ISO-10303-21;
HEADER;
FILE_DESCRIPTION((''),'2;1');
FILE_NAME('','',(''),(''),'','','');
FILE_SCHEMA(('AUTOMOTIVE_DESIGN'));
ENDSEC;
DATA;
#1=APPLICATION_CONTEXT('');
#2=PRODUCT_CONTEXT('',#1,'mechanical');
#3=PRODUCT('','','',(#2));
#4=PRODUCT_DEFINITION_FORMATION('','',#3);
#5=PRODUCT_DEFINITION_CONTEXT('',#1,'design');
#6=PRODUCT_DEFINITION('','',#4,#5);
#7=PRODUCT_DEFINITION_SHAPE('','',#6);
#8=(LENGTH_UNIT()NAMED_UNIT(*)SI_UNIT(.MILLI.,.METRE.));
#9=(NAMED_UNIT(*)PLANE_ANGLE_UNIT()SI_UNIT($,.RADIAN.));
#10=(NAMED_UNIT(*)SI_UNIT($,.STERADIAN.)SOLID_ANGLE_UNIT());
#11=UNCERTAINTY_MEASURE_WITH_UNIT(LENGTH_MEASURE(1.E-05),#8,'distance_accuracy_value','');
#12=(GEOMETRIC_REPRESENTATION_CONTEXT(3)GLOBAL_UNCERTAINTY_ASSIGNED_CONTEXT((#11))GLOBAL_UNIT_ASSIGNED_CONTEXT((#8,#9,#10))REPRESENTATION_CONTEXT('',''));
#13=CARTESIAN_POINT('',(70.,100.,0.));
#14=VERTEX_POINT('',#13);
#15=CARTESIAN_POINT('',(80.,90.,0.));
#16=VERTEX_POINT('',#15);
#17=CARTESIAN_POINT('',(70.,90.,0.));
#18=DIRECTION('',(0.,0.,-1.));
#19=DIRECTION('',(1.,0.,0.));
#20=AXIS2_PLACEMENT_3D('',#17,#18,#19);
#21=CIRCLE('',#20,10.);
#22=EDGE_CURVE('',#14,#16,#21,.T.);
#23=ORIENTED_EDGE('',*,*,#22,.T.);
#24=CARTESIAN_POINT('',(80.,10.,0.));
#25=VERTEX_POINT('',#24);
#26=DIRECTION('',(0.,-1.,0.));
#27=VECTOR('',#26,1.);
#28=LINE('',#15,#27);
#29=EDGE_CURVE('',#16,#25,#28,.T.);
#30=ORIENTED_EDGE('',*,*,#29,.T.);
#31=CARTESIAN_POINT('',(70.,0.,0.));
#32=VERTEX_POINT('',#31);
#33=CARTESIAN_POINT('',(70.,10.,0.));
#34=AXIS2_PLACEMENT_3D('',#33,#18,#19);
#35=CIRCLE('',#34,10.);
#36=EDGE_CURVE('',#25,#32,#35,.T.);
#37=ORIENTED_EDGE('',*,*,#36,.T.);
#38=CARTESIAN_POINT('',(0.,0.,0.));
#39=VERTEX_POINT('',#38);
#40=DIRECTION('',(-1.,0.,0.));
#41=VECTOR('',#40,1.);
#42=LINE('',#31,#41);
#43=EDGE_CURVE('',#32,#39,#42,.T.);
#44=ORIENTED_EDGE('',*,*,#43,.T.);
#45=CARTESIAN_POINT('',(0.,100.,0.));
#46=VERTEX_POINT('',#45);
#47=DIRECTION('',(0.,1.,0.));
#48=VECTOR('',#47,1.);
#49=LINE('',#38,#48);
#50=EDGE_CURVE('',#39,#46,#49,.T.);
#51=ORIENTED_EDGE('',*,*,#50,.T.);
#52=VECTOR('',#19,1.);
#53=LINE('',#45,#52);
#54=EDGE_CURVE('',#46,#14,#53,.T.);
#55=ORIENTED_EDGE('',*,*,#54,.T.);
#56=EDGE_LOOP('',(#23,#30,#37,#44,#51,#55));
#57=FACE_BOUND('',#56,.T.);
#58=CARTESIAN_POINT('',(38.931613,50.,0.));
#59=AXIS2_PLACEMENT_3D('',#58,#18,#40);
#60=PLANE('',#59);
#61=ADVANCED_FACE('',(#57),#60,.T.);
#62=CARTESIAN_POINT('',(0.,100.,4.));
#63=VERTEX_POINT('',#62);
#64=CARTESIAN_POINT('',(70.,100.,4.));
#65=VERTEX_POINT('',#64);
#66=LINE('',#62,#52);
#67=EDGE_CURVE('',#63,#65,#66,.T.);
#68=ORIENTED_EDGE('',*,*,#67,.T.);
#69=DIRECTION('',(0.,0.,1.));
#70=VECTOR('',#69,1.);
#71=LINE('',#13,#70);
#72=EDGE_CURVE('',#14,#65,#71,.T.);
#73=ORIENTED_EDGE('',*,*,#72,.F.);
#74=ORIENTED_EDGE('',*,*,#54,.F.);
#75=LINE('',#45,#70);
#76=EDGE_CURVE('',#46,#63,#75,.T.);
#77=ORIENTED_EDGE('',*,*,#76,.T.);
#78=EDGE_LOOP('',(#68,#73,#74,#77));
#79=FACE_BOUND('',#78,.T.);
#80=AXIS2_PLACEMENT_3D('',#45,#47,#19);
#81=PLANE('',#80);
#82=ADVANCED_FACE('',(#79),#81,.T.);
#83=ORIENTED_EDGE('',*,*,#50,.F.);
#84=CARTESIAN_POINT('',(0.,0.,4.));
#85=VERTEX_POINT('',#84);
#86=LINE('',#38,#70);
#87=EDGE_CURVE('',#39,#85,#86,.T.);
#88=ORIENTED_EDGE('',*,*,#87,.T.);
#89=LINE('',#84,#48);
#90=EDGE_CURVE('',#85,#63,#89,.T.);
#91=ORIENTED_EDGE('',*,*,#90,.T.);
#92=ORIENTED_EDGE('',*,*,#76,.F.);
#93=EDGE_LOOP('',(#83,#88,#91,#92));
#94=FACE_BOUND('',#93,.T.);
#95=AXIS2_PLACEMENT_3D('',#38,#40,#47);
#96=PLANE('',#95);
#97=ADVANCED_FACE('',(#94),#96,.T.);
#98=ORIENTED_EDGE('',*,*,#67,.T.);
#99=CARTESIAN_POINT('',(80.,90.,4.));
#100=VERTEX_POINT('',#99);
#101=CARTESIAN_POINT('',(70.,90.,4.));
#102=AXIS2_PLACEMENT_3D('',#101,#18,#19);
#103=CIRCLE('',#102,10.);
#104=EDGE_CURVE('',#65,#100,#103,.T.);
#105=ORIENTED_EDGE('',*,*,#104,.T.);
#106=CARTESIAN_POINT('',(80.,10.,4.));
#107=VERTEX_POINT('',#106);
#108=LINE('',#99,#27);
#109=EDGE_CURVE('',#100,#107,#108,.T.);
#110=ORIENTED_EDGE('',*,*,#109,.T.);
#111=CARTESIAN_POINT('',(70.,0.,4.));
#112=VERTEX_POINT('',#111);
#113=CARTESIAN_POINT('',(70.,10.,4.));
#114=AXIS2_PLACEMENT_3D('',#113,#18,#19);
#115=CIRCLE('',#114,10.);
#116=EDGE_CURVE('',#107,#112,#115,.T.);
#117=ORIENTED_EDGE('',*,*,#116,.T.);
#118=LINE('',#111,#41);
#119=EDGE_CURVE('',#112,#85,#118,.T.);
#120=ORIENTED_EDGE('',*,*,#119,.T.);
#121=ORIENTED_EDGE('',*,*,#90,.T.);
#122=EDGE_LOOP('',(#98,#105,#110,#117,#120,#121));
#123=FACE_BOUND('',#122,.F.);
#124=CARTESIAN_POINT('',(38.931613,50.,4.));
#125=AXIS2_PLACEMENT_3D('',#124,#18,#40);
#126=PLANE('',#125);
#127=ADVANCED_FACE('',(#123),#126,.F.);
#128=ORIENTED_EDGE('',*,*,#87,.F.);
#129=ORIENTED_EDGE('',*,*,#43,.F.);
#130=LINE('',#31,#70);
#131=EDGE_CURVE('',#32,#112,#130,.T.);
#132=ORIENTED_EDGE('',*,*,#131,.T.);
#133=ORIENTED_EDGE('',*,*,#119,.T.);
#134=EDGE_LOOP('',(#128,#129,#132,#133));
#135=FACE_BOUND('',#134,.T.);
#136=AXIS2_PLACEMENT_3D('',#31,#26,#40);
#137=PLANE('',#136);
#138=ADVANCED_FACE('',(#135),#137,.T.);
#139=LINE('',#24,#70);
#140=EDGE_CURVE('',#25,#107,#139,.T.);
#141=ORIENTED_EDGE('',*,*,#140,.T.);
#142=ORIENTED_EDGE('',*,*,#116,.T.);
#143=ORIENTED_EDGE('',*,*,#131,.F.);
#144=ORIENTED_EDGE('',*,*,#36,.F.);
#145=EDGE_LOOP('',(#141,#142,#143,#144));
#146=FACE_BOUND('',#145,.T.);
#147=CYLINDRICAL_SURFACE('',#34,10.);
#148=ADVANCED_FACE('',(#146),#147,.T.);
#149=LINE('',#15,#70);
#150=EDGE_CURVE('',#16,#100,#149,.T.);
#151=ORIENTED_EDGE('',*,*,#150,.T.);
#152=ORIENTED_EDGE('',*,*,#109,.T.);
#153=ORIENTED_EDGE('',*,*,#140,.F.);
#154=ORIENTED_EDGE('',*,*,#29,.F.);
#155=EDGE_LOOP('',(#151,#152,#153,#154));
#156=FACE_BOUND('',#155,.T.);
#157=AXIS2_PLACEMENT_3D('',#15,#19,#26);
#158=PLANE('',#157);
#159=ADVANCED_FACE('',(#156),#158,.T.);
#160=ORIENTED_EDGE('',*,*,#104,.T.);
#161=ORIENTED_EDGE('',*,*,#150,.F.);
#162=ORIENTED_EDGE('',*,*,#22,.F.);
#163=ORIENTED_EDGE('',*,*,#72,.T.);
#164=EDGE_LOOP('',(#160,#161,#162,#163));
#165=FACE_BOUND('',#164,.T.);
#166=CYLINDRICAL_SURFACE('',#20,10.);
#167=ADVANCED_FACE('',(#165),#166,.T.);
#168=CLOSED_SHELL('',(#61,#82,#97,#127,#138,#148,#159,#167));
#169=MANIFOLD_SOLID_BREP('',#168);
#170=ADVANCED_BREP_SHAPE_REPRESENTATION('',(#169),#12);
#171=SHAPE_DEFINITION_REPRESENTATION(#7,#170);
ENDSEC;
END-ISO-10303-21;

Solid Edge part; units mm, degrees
sketch "Sketch1" plane through (0, 0, 0) normal (0, 0, 1) x (1, 0, 0)
  line L0 (80, 90) -> (80, 10)
  arc A0 (80, 10) -> (70, 0) centre (70, 10) cw
  line L1 (70, 0) -> (0, 0)
  line L2 (0, 0) -> (0, 100)
  line L3 (0, 100) -> (70, 100)
  arc A1 (70, 100) -> (80, 90) centre (70, 90) cw
extrude "Protrusion1" add sketch "Sketch1" along normal blind 4
